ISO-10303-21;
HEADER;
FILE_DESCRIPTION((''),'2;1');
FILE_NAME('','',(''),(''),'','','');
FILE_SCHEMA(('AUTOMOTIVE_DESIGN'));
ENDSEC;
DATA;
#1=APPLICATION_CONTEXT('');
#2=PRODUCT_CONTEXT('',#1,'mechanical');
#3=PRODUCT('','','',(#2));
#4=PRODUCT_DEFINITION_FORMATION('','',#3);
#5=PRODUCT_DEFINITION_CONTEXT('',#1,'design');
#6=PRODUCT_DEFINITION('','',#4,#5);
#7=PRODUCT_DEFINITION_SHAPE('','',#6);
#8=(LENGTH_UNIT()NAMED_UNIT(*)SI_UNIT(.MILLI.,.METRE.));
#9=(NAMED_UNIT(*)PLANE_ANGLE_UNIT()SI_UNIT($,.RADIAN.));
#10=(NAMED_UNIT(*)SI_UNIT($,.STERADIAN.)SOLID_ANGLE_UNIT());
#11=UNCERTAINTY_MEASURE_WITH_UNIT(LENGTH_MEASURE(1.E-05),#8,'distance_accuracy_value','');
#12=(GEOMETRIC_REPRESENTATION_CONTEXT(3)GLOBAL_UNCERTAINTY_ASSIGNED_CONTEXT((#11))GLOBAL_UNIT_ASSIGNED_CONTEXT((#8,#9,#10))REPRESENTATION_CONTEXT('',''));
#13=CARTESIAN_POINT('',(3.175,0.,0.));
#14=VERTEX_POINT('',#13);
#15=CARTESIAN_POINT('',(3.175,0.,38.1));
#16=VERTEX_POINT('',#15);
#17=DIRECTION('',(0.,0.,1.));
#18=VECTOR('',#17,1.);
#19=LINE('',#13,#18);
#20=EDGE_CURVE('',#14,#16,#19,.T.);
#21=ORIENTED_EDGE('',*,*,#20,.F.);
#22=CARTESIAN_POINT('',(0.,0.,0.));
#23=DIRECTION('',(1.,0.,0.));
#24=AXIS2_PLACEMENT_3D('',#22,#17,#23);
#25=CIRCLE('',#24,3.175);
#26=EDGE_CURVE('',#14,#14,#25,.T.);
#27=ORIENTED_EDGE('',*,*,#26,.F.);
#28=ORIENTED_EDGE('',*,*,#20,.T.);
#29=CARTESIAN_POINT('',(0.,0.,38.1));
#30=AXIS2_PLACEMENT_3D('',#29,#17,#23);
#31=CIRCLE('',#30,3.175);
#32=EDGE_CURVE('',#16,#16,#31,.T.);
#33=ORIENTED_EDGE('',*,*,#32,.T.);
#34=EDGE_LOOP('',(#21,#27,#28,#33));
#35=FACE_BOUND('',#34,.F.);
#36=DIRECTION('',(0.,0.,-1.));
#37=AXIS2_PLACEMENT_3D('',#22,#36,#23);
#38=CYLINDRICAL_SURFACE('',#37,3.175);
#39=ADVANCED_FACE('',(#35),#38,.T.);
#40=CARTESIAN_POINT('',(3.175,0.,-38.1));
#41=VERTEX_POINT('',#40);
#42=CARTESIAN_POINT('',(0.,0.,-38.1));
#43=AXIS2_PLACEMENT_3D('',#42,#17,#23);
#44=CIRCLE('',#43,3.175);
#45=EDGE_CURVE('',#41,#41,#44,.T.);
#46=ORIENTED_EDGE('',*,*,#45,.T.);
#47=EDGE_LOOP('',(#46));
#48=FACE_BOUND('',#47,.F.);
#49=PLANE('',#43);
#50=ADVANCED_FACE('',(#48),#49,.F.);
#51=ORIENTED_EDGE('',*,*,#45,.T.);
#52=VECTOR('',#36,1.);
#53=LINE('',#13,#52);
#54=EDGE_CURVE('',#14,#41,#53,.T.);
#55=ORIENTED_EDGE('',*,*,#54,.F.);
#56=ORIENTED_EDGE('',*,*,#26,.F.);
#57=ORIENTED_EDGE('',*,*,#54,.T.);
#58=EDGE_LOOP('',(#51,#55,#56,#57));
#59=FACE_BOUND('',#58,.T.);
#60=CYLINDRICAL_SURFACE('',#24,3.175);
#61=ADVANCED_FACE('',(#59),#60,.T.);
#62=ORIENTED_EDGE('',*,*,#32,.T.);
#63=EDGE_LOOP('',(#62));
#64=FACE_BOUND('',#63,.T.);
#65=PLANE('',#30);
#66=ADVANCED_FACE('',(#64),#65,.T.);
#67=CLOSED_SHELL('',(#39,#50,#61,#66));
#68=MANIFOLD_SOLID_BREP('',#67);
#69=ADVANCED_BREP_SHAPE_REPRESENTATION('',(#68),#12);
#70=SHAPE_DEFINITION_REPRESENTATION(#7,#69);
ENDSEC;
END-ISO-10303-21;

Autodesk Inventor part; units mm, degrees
ref_plane "YZ Plane" through (0, 0, 0) normal (1, 0, 0) x (0, 1, 0)
ref_plane "XZ Plane" through (0, 0, 0) normal (0, 1, 0) x (-1, 0, 0)
ref_plane "XY Plane" through (0, 0, 0) normal (0, 0, 1) x (1, 0, 0)
sketch "Sketch2" plane through (0, 0, 0) normal (0, 0, 1) x (1, 0, 0)
  circle A0 centre (0, 0) radius 3.175
  dimension "d0" = 6.35
extrude "Extrusion1" add sketch "Sketch2" along normal mid plane 76.2
properties part number "Pin"
